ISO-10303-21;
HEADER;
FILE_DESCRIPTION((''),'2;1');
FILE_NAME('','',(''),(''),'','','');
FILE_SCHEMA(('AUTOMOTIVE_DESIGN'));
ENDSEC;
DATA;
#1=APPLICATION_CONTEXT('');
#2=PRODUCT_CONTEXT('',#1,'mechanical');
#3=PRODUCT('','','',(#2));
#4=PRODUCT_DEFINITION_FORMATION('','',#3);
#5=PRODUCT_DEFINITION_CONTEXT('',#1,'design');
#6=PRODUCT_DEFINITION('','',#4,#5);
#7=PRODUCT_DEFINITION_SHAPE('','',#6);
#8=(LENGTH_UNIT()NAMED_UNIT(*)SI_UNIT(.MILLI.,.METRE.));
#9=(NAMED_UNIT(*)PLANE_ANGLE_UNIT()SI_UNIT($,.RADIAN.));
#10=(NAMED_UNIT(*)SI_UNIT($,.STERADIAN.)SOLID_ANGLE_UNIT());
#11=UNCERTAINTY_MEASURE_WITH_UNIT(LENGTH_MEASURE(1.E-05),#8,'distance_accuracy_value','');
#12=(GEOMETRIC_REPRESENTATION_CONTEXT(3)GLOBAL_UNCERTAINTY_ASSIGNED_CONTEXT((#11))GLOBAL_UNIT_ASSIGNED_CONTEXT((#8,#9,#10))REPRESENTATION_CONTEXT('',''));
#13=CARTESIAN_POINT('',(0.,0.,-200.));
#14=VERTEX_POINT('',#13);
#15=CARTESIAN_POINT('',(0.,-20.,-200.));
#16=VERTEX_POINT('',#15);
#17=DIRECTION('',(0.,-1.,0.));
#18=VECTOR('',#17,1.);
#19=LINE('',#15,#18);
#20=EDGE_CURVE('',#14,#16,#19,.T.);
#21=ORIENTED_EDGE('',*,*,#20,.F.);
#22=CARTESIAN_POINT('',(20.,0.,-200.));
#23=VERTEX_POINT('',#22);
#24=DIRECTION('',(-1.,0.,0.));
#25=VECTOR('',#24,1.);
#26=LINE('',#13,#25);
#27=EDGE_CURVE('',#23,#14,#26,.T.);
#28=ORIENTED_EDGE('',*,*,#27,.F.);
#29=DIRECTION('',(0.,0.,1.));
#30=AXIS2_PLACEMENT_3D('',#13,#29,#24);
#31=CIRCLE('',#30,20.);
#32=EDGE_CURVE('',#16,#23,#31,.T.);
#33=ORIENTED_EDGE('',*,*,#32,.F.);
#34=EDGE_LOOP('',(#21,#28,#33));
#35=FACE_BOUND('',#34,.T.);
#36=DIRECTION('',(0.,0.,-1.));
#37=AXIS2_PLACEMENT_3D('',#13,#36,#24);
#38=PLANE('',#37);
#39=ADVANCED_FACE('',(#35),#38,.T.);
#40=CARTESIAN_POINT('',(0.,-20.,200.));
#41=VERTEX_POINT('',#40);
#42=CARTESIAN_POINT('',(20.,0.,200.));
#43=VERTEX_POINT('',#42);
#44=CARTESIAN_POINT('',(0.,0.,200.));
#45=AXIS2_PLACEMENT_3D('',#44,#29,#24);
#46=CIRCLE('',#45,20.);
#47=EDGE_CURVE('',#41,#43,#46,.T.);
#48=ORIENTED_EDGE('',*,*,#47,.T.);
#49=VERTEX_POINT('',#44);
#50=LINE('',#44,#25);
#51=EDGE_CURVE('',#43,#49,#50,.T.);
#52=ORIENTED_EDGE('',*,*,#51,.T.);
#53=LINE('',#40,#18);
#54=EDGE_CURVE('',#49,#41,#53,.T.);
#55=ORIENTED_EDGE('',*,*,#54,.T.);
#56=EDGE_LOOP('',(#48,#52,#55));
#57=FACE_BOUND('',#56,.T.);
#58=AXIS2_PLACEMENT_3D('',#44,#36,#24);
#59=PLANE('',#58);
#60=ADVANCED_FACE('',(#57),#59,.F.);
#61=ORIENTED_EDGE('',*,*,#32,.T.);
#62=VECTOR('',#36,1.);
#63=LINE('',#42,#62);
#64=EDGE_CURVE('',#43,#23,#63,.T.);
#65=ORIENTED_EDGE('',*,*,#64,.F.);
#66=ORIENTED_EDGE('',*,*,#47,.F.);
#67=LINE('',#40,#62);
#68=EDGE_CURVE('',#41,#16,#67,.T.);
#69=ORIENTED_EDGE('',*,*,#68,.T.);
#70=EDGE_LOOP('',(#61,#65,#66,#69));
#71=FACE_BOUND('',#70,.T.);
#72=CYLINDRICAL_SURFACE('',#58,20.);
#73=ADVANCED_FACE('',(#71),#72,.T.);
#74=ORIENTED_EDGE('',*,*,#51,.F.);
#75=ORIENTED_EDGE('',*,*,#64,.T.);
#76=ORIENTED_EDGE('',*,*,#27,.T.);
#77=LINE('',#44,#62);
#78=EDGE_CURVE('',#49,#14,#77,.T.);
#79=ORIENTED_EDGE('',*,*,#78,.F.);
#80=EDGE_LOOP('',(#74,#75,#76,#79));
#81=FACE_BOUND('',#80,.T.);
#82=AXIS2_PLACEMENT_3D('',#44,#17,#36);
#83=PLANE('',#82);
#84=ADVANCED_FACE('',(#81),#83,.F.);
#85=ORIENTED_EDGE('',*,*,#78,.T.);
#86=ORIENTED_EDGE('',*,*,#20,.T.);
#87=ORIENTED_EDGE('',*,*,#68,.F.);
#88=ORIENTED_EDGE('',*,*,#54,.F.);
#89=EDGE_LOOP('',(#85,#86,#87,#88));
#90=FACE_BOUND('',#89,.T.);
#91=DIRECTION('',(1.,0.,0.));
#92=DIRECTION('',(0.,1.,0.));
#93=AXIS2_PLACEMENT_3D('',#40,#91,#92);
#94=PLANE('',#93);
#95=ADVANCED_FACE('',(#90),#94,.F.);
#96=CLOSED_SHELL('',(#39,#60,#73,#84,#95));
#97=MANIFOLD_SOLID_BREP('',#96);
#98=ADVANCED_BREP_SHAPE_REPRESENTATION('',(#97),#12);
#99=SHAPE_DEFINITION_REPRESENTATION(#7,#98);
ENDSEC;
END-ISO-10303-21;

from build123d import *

# Parameters (mm, degrees)
BOSS_EXTRUDE1_DEPTH = 200


with BuildPart() as part:
    # Sketch1 → Boss-Extrude1 (new, symmetric)
    with BuildSketch(Plane.XY):
        with BuildLine():
            Line((0, 0), (20, 0))
            ThreePointArc((20, 0), (14.142135624, -14.142135624), (0, -20))
            Line((0, -20), (0, 0))
        make_face()
    extrude(amount=BOSS_EXTRUDE1_DEPTH, both=True)


solid = part.part
